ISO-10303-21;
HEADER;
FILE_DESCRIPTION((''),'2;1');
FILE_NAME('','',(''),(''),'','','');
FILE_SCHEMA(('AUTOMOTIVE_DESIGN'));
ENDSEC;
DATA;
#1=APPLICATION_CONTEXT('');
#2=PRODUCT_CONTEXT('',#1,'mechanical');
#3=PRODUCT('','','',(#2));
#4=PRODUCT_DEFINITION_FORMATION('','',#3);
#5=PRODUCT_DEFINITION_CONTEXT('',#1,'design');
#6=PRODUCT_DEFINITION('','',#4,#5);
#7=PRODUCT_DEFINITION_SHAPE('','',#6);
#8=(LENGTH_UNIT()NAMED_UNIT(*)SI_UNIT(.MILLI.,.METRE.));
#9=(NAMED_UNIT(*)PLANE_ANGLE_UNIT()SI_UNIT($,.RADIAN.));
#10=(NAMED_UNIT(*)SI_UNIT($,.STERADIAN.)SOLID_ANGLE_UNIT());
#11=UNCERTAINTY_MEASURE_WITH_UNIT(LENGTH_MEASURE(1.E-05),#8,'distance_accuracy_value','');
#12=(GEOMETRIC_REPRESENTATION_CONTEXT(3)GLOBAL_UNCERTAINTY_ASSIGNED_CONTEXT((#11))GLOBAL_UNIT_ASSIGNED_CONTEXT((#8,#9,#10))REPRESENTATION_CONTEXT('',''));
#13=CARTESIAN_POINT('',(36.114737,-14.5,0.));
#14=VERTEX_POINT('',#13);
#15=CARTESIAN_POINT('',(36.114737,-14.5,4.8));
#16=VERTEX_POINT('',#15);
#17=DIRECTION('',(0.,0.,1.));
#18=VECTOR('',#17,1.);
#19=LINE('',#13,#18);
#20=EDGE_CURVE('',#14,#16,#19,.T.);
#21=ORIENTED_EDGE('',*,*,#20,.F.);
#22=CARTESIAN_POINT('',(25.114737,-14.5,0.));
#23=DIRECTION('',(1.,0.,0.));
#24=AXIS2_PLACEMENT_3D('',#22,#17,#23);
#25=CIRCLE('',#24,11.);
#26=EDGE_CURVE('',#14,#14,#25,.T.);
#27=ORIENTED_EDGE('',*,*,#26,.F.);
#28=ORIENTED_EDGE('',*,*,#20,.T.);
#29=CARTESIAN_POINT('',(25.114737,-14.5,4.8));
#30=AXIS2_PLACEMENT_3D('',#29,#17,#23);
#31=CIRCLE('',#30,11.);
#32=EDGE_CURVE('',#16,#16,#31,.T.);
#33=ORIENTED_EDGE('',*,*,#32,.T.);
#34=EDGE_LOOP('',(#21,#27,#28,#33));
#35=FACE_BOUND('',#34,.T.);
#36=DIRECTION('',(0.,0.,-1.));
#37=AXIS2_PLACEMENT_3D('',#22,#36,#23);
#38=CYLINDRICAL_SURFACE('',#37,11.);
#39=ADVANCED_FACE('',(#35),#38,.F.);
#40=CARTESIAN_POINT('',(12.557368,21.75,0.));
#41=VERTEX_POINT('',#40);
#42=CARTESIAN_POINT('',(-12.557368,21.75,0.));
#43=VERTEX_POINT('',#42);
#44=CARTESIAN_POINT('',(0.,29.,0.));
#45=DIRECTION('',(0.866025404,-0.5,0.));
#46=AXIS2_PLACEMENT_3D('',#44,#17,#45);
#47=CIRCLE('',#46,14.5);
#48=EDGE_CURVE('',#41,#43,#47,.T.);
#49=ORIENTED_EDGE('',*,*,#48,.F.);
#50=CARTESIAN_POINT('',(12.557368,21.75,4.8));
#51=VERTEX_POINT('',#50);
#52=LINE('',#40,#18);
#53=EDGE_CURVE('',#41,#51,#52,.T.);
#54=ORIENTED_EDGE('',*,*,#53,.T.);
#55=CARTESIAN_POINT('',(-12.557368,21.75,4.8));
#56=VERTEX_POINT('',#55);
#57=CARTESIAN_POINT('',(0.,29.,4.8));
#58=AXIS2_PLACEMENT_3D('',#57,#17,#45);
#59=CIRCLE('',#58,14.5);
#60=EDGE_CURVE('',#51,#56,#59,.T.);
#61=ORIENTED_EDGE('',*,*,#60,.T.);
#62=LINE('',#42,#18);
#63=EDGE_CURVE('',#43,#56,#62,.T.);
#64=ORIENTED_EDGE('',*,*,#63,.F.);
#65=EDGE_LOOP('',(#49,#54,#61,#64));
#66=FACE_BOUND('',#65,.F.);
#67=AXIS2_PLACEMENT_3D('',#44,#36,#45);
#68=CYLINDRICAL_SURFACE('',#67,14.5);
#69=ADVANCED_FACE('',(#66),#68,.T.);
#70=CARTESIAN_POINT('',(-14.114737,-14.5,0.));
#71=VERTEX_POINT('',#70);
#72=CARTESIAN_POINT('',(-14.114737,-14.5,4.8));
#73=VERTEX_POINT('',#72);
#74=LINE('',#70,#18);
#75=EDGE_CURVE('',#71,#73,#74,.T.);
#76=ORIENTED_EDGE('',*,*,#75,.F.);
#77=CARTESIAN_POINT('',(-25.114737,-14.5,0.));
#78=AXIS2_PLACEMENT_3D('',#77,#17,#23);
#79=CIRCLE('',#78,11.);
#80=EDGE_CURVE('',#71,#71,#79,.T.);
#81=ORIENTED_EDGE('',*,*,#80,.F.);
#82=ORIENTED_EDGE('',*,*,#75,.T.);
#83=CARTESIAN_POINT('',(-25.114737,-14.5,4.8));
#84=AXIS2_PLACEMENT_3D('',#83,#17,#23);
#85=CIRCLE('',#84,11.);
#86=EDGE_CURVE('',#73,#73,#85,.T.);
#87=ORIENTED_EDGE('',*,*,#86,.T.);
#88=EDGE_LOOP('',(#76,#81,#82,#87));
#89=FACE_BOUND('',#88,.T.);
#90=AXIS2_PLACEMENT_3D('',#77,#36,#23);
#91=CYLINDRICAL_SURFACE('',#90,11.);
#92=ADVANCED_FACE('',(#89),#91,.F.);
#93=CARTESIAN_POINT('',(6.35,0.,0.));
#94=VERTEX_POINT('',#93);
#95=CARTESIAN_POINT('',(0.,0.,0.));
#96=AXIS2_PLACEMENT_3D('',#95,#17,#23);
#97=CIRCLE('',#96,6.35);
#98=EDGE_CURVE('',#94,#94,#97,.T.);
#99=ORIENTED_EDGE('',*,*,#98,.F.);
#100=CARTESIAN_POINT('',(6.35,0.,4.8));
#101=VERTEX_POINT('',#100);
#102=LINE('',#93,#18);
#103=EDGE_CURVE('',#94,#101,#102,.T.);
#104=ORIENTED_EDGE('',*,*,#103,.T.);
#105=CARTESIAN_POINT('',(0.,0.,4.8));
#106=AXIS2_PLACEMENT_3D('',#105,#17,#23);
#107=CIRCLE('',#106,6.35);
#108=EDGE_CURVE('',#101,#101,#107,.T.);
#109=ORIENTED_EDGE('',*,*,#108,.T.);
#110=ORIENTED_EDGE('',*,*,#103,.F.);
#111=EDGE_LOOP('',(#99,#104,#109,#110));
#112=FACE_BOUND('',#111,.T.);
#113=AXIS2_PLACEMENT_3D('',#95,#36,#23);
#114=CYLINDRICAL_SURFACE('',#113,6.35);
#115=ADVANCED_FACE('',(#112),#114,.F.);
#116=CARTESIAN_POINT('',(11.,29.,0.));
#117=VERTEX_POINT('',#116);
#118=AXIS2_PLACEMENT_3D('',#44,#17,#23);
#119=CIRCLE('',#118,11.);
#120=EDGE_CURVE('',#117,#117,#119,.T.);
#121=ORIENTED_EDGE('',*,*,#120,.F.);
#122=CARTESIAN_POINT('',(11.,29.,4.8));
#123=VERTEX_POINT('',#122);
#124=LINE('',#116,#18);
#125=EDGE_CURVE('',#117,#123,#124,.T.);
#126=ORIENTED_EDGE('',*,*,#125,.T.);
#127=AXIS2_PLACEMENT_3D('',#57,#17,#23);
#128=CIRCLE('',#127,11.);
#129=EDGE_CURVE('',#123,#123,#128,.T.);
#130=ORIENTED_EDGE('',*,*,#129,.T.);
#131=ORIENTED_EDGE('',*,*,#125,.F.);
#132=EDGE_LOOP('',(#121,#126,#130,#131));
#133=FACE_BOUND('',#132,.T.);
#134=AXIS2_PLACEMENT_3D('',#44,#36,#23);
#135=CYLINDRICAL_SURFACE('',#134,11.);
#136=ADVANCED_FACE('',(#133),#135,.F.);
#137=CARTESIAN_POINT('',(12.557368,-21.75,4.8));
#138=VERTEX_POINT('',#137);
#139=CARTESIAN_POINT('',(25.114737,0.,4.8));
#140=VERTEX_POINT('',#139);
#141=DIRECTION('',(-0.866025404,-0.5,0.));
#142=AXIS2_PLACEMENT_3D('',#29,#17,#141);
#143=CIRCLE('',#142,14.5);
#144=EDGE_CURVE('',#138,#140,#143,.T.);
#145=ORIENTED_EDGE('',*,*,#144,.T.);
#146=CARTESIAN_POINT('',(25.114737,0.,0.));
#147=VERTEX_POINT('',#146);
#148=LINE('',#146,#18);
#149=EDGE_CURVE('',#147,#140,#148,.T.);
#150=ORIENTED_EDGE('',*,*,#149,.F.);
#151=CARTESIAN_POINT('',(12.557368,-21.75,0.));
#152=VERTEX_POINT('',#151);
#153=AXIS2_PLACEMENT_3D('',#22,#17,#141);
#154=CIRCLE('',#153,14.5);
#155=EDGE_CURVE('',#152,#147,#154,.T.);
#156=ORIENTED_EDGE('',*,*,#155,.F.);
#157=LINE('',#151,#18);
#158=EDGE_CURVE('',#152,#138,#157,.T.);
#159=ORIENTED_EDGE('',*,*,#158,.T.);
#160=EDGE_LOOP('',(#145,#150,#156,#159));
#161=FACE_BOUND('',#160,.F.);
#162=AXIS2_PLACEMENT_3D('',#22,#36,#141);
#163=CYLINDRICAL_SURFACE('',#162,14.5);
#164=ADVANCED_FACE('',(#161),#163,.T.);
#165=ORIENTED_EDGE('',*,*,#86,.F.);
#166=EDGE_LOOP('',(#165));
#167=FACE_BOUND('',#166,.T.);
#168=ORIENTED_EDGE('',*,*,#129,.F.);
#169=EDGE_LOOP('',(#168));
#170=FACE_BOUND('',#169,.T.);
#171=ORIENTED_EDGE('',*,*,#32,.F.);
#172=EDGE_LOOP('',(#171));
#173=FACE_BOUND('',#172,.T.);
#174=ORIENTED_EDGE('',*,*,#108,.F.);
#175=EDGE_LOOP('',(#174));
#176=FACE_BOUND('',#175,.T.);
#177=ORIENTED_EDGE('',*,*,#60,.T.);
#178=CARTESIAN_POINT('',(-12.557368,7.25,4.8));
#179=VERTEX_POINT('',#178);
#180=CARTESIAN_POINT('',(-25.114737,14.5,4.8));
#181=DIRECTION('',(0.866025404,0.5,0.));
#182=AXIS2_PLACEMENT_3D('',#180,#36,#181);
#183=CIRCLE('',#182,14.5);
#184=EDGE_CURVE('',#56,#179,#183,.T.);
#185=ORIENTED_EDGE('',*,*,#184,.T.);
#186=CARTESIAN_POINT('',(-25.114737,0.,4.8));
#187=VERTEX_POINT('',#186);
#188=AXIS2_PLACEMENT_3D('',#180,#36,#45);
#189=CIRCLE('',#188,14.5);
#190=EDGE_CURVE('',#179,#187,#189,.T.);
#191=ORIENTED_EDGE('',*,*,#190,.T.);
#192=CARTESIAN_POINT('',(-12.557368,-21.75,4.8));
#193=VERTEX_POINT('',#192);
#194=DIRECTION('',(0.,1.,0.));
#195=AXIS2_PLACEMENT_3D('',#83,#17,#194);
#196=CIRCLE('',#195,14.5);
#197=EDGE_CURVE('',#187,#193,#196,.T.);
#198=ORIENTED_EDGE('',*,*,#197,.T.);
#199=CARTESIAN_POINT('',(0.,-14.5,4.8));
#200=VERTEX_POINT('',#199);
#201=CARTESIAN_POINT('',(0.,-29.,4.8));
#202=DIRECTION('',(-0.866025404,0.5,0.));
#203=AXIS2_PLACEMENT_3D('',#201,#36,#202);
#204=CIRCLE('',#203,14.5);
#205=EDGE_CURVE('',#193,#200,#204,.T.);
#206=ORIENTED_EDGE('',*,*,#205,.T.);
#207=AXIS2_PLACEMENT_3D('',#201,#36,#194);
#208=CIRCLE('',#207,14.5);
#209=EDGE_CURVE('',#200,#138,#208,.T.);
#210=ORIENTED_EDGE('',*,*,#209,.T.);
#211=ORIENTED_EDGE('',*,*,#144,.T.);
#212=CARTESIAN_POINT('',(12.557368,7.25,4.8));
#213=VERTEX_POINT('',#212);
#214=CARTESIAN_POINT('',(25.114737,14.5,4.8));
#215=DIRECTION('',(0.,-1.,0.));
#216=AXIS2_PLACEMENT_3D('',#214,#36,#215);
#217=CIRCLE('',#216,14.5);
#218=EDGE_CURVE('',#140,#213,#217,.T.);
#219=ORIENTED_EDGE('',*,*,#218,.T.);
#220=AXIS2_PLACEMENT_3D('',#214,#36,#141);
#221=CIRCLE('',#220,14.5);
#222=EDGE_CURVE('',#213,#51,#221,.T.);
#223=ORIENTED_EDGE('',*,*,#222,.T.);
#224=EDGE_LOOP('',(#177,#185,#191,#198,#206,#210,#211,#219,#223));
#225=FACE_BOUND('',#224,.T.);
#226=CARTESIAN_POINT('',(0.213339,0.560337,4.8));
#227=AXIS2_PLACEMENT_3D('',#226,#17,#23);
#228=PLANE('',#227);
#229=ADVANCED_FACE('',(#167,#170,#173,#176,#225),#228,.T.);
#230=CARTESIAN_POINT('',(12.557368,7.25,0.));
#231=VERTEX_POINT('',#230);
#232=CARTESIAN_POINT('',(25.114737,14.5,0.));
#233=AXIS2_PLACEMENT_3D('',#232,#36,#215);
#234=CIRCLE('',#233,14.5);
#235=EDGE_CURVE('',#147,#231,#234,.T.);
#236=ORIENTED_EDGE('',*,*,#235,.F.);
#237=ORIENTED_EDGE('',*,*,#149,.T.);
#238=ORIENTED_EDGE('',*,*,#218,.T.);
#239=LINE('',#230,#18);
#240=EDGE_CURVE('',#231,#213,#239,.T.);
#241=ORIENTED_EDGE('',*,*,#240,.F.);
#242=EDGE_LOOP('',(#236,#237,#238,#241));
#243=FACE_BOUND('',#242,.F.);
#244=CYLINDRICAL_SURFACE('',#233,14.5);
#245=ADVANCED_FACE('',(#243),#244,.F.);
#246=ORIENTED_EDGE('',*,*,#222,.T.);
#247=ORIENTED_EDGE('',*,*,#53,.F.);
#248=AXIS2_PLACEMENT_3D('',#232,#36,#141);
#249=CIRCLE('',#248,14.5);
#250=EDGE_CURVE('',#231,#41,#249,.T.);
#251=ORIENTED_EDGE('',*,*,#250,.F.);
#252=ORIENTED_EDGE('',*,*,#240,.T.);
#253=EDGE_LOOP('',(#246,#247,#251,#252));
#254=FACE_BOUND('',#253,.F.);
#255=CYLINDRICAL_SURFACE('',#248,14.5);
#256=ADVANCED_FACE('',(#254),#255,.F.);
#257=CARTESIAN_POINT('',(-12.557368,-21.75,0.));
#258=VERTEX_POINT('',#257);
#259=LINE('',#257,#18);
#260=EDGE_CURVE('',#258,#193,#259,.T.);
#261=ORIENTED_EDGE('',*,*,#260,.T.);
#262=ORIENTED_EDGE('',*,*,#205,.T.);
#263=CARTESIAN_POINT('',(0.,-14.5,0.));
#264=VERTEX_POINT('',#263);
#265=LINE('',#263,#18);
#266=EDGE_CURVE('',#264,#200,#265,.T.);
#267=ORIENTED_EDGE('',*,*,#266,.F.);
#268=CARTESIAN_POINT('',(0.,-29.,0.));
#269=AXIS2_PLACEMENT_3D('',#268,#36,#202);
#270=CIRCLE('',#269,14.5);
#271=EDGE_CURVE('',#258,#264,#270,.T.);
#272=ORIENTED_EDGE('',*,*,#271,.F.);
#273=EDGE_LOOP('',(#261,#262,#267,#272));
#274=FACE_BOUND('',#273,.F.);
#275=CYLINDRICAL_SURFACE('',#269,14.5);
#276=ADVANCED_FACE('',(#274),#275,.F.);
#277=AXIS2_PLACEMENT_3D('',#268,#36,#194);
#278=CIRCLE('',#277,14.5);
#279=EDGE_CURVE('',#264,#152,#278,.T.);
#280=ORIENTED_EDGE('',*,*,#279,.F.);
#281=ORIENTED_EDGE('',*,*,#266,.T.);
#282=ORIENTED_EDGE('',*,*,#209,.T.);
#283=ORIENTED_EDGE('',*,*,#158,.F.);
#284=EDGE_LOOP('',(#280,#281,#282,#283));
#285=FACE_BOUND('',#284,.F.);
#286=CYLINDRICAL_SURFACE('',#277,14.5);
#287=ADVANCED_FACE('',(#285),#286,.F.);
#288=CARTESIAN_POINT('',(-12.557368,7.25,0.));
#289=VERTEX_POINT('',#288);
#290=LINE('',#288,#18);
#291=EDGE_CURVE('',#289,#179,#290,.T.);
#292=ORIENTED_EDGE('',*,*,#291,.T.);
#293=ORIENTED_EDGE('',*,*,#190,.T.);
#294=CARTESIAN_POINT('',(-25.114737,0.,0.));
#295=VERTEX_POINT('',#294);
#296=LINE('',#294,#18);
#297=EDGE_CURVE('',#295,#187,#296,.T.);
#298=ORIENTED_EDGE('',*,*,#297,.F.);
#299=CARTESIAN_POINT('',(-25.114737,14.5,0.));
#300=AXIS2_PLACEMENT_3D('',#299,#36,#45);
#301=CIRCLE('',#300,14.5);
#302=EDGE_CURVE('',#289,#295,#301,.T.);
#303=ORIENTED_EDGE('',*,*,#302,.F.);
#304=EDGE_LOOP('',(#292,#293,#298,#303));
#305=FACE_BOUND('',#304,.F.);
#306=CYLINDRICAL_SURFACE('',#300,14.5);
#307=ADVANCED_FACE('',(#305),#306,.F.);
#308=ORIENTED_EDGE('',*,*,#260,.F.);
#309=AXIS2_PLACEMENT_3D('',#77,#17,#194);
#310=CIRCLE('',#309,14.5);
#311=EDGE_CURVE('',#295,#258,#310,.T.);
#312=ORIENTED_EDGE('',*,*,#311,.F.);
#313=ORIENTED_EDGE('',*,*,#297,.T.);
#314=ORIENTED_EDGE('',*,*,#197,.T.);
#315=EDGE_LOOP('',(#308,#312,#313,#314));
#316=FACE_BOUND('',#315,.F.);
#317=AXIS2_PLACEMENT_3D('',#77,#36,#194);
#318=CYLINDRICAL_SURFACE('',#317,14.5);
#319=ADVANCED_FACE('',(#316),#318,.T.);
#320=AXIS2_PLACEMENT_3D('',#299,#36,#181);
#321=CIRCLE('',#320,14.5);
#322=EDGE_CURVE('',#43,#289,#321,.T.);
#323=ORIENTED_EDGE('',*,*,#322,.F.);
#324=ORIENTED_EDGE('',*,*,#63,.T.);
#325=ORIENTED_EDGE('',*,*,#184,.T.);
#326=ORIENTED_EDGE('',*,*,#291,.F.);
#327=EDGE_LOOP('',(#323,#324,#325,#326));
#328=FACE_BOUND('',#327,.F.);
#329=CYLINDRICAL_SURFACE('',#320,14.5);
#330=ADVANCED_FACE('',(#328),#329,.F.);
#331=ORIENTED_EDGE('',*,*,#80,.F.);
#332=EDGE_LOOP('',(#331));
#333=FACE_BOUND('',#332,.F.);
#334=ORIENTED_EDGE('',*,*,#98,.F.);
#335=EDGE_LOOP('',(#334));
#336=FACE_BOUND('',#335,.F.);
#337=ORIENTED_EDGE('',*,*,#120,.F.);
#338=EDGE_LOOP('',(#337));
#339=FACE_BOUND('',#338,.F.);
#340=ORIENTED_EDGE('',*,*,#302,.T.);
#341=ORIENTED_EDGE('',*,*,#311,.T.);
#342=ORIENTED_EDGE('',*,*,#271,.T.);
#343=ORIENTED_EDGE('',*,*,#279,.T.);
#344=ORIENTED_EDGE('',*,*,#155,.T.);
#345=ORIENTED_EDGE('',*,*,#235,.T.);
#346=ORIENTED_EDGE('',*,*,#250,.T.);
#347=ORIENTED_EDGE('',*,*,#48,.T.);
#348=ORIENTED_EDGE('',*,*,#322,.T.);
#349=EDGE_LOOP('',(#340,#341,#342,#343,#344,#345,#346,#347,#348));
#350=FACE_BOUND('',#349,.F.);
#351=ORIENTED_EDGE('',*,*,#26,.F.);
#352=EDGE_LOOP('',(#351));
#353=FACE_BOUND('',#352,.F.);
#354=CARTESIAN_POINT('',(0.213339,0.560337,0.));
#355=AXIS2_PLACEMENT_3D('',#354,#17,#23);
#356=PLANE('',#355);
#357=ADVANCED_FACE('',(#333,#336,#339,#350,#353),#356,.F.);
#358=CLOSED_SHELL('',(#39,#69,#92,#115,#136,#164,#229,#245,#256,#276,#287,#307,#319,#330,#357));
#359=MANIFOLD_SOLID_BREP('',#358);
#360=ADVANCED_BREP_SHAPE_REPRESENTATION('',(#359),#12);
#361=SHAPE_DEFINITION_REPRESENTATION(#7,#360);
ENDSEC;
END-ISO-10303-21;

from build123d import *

# Parameters (mm, degrees)
F0_R     = 6.35
F0_R_2   = 11
F1_DEPTH = 4.8


with BuildPart() as f1:
    # F0 (on Top) → F1 (new body)
    with BuildSketch(Plane.XY):
        with BuildLine():
            ThreePointArc((0, -14.5), (10.2530483272, -10.2530483272), (14.5, 0))
            ThreePointArc((14.5, 0), (14.0059244812, 3.752876154), (12.5573683549, 7.25))
            ThreePointArc((12.5573683549, 7.25), (0, 14.5), (-12.5573683549, 7.25))
            ThreePointArc((-12.5573683549, 7.25), (-12.5573683549, -7.25), (0, -14.5))
        make_face()
        Circle(F0_R, mode=Mode.SUBTRACT)
        with BuildLine():
            ThreePointArc((12.5573683549, 7.25), (14.0059244812, 3.752876154), (14.5, 0))
            ThreePointArc((14.5, 0), (10.2530483272, -10.2530483272), (0, -14.5))
            ThreePointArc((0, -14.5), (7.25, -16.4426316451), (12.5573683549, -21.75))
            ThreePointArc((12.5573683549, -21.75), (37.6721050646, -21.75), (25.1147367097, 0))
            ThreePointArc((25.1147367097, 0), (17.8647367097, 1.9426316451), (12.5573683549, 7.25))
        make_face()
        with Locations((25.1147367097, -14.5)):
            Circle(F0_R_2, mode=Mode.SUBTRACT)
        with BuildLine():
            ThreePointArc((-12.5573683549, 7.25), (0, 14.5), (12.5573683549, 7.25))
            ThreePointArc((12.5573683549, 7.25), (10.6147367097, 14.5), (12.5573683549, 21.75))
            ThreePointArc((12.5573683549, 21.75), (0, 43.5), (-12.5573683549, 21.75))
            ThreePointArc((-12.5573683549, 21.75), (-10.6147367097, 14.5), (-12.5573683549, 7.25))
        make_face()
        with Locations((0, 29)):
            Circle(F0_R_2, mode=Mode.SUBTRACT)
        with BuildLine():
            ThreePointArc((-12.5573683549, -21.75), (-7.25, -16.4426316451), (0, -14.5))
            ThreePointArc((0, -14.5), (-12.5573683549, -7.25), (-12.5573683549, 7.25))
            ThreePointArc((-12.5573683549, 7.25), (-17.8647367097, 1.9426316451), (-25.1147367097, 0))
            ThreePointArc((-25.1147367097, 0), (-37.6721050646, -21.75), (-12.5573683549, -21.75))
        make_face()
        with Locations((-25.1147367097, -14.5)):
            Circle(F0_R_2, mode=Mode.SUBTRACT)
    extrude(amount=F1_DEPTH)


solid = f1.part
